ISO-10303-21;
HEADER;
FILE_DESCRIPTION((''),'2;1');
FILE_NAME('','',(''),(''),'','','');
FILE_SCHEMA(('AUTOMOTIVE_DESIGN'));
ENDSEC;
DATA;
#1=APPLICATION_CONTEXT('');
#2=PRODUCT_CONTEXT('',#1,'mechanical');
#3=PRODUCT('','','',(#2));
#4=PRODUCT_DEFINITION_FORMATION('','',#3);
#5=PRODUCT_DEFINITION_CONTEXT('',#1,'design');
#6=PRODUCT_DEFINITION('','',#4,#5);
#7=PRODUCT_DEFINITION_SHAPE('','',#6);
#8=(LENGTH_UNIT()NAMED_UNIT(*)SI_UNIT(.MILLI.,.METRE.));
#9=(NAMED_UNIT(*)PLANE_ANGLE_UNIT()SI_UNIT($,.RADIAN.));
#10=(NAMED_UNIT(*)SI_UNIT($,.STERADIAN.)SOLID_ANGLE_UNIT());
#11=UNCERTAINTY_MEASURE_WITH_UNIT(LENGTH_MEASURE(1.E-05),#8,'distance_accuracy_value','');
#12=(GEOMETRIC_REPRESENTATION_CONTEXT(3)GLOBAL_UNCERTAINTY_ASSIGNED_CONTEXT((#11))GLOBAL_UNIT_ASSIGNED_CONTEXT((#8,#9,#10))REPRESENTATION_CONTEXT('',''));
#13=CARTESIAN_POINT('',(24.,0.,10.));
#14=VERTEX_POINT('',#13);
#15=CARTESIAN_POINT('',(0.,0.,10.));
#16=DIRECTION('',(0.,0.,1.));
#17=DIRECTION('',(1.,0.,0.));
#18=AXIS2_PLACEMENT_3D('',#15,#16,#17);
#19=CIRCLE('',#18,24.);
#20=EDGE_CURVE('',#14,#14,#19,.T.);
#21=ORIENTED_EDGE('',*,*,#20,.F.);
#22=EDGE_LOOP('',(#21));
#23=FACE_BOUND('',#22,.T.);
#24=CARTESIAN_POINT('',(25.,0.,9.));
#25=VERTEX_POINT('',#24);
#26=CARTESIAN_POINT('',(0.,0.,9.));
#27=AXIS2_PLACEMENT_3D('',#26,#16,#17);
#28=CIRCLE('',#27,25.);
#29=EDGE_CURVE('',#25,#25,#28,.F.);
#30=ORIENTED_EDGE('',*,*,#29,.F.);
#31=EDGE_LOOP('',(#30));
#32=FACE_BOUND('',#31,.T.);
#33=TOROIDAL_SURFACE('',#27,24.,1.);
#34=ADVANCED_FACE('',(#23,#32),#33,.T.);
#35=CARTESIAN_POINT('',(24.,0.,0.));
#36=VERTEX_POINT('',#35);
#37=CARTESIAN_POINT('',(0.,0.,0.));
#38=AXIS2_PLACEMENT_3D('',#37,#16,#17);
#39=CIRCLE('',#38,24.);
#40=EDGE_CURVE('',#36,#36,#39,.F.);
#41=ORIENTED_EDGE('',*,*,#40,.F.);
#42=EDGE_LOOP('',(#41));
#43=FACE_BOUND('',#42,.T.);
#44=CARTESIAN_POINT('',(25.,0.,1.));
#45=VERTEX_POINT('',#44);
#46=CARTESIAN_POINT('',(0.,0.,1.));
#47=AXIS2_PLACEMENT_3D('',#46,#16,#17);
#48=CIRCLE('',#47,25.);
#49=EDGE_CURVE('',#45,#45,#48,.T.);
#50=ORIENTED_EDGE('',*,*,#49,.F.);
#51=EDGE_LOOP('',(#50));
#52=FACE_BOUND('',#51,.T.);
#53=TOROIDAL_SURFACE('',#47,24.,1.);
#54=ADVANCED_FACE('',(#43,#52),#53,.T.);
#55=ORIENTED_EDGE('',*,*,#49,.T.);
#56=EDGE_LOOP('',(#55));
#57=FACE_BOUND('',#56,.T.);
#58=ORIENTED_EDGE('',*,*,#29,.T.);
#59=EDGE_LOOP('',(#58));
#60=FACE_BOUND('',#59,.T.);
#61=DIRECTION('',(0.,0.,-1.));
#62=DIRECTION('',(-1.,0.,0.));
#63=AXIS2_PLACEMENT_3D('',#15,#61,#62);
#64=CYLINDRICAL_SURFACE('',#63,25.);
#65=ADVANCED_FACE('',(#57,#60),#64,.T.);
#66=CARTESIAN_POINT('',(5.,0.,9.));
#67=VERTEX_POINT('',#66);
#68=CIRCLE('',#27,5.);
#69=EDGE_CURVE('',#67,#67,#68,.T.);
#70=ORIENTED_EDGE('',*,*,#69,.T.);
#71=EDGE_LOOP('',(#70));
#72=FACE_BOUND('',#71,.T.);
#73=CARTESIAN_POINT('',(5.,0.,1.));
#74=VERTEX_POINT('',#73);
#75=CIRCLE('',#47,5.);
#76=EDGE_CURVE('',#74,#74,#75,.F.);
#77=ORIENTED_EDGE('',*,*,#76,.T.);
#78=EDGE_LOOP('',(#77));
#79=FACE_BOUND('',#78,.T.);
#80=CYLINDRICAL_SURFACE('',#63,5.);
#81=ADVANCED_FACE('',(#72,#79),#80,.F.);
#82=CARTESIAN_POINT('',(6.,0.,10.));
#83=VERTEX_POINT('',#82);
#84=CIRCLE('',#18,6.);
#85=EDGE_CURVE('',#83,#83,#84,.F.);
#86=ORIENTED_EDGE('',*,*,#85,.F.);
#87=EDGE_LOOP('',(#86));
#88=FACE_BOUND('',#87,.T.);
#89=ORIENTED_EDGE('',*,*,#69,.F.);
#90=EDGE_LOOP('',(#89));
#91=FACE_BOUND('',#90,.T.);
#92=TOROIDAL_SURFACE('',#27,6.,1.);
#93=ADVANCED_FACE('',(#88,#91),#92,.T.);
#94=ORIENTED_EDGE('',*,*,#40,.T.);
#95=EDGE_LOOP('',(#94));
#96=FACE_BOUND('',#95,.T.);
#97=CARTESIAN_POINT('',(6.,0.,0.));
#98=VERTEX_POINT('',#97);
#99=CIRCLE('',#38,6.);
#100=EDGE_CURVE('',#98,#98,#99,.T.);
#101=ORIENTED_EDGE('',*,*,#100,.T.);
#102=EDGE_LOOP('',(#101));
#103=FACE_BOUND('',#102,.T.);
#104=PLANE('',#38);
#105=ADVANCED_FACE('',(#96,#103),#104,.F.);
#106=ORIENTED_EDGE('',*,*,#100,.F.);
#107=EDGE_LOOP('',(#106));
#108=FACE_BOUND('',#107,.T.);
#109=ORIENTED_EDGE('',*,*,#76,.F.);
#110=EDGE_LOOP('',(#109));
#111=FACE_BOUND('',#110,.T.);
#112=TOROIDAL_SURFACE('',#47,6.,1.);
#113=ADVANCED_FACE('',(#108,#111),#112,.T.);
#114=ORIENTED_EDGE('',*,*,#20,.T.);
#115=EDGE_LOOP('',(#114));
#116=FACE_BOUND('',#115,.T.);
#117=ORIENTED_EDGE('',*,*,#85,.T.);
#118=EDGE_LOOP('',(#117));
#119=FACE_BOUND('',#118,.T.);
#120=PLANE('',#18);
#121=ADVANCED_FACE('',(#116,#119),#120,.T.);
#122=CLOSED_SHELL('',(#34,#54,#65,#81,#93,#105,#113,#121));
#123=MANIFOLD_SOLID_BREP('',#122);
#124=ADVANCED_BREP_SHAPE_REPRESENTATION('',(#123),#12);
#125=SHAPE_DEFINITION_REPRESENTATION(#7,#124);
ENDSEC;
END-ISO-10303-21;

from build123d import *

# Parameters (mm, degrees)
SKETCH1_R           = 25
SKETCH1_R_2         = 5
BOSS_EXTRUDE1_DEPTH = 10
FILLET1_R           = 1
FILLET2_R           = 1


with BuildPart() as part:
    # Sketch1 → Boss-Extrude1 (new body)
    with BuildSketch(Plane.XY):
        Circle(SKETCH1_R)
        Circle(SKETCH1_R_2, mode=Mode.SUBTRACT)
    extrude(amount=BOSS_EXTRUDE1_DEPTH)

    # Fillet1
    fillet1_edges = [part.edges().sort_by_distance(p)[0] for p in [
        (-25, 0, 0),
        (-5, 0, 0),
        (-5, 0, 10),
    ]]
    fillet(fillet1_edges, radius=FILLET1_R)

    # Fillet2
    fillet2_edges = [part.edges().sort_by_distance(p)[0] for p in [
        (-25, 0, 10),
    ]]
    fillet(fillet2_edges, radius=FILLET2_R)


solid = part.part
